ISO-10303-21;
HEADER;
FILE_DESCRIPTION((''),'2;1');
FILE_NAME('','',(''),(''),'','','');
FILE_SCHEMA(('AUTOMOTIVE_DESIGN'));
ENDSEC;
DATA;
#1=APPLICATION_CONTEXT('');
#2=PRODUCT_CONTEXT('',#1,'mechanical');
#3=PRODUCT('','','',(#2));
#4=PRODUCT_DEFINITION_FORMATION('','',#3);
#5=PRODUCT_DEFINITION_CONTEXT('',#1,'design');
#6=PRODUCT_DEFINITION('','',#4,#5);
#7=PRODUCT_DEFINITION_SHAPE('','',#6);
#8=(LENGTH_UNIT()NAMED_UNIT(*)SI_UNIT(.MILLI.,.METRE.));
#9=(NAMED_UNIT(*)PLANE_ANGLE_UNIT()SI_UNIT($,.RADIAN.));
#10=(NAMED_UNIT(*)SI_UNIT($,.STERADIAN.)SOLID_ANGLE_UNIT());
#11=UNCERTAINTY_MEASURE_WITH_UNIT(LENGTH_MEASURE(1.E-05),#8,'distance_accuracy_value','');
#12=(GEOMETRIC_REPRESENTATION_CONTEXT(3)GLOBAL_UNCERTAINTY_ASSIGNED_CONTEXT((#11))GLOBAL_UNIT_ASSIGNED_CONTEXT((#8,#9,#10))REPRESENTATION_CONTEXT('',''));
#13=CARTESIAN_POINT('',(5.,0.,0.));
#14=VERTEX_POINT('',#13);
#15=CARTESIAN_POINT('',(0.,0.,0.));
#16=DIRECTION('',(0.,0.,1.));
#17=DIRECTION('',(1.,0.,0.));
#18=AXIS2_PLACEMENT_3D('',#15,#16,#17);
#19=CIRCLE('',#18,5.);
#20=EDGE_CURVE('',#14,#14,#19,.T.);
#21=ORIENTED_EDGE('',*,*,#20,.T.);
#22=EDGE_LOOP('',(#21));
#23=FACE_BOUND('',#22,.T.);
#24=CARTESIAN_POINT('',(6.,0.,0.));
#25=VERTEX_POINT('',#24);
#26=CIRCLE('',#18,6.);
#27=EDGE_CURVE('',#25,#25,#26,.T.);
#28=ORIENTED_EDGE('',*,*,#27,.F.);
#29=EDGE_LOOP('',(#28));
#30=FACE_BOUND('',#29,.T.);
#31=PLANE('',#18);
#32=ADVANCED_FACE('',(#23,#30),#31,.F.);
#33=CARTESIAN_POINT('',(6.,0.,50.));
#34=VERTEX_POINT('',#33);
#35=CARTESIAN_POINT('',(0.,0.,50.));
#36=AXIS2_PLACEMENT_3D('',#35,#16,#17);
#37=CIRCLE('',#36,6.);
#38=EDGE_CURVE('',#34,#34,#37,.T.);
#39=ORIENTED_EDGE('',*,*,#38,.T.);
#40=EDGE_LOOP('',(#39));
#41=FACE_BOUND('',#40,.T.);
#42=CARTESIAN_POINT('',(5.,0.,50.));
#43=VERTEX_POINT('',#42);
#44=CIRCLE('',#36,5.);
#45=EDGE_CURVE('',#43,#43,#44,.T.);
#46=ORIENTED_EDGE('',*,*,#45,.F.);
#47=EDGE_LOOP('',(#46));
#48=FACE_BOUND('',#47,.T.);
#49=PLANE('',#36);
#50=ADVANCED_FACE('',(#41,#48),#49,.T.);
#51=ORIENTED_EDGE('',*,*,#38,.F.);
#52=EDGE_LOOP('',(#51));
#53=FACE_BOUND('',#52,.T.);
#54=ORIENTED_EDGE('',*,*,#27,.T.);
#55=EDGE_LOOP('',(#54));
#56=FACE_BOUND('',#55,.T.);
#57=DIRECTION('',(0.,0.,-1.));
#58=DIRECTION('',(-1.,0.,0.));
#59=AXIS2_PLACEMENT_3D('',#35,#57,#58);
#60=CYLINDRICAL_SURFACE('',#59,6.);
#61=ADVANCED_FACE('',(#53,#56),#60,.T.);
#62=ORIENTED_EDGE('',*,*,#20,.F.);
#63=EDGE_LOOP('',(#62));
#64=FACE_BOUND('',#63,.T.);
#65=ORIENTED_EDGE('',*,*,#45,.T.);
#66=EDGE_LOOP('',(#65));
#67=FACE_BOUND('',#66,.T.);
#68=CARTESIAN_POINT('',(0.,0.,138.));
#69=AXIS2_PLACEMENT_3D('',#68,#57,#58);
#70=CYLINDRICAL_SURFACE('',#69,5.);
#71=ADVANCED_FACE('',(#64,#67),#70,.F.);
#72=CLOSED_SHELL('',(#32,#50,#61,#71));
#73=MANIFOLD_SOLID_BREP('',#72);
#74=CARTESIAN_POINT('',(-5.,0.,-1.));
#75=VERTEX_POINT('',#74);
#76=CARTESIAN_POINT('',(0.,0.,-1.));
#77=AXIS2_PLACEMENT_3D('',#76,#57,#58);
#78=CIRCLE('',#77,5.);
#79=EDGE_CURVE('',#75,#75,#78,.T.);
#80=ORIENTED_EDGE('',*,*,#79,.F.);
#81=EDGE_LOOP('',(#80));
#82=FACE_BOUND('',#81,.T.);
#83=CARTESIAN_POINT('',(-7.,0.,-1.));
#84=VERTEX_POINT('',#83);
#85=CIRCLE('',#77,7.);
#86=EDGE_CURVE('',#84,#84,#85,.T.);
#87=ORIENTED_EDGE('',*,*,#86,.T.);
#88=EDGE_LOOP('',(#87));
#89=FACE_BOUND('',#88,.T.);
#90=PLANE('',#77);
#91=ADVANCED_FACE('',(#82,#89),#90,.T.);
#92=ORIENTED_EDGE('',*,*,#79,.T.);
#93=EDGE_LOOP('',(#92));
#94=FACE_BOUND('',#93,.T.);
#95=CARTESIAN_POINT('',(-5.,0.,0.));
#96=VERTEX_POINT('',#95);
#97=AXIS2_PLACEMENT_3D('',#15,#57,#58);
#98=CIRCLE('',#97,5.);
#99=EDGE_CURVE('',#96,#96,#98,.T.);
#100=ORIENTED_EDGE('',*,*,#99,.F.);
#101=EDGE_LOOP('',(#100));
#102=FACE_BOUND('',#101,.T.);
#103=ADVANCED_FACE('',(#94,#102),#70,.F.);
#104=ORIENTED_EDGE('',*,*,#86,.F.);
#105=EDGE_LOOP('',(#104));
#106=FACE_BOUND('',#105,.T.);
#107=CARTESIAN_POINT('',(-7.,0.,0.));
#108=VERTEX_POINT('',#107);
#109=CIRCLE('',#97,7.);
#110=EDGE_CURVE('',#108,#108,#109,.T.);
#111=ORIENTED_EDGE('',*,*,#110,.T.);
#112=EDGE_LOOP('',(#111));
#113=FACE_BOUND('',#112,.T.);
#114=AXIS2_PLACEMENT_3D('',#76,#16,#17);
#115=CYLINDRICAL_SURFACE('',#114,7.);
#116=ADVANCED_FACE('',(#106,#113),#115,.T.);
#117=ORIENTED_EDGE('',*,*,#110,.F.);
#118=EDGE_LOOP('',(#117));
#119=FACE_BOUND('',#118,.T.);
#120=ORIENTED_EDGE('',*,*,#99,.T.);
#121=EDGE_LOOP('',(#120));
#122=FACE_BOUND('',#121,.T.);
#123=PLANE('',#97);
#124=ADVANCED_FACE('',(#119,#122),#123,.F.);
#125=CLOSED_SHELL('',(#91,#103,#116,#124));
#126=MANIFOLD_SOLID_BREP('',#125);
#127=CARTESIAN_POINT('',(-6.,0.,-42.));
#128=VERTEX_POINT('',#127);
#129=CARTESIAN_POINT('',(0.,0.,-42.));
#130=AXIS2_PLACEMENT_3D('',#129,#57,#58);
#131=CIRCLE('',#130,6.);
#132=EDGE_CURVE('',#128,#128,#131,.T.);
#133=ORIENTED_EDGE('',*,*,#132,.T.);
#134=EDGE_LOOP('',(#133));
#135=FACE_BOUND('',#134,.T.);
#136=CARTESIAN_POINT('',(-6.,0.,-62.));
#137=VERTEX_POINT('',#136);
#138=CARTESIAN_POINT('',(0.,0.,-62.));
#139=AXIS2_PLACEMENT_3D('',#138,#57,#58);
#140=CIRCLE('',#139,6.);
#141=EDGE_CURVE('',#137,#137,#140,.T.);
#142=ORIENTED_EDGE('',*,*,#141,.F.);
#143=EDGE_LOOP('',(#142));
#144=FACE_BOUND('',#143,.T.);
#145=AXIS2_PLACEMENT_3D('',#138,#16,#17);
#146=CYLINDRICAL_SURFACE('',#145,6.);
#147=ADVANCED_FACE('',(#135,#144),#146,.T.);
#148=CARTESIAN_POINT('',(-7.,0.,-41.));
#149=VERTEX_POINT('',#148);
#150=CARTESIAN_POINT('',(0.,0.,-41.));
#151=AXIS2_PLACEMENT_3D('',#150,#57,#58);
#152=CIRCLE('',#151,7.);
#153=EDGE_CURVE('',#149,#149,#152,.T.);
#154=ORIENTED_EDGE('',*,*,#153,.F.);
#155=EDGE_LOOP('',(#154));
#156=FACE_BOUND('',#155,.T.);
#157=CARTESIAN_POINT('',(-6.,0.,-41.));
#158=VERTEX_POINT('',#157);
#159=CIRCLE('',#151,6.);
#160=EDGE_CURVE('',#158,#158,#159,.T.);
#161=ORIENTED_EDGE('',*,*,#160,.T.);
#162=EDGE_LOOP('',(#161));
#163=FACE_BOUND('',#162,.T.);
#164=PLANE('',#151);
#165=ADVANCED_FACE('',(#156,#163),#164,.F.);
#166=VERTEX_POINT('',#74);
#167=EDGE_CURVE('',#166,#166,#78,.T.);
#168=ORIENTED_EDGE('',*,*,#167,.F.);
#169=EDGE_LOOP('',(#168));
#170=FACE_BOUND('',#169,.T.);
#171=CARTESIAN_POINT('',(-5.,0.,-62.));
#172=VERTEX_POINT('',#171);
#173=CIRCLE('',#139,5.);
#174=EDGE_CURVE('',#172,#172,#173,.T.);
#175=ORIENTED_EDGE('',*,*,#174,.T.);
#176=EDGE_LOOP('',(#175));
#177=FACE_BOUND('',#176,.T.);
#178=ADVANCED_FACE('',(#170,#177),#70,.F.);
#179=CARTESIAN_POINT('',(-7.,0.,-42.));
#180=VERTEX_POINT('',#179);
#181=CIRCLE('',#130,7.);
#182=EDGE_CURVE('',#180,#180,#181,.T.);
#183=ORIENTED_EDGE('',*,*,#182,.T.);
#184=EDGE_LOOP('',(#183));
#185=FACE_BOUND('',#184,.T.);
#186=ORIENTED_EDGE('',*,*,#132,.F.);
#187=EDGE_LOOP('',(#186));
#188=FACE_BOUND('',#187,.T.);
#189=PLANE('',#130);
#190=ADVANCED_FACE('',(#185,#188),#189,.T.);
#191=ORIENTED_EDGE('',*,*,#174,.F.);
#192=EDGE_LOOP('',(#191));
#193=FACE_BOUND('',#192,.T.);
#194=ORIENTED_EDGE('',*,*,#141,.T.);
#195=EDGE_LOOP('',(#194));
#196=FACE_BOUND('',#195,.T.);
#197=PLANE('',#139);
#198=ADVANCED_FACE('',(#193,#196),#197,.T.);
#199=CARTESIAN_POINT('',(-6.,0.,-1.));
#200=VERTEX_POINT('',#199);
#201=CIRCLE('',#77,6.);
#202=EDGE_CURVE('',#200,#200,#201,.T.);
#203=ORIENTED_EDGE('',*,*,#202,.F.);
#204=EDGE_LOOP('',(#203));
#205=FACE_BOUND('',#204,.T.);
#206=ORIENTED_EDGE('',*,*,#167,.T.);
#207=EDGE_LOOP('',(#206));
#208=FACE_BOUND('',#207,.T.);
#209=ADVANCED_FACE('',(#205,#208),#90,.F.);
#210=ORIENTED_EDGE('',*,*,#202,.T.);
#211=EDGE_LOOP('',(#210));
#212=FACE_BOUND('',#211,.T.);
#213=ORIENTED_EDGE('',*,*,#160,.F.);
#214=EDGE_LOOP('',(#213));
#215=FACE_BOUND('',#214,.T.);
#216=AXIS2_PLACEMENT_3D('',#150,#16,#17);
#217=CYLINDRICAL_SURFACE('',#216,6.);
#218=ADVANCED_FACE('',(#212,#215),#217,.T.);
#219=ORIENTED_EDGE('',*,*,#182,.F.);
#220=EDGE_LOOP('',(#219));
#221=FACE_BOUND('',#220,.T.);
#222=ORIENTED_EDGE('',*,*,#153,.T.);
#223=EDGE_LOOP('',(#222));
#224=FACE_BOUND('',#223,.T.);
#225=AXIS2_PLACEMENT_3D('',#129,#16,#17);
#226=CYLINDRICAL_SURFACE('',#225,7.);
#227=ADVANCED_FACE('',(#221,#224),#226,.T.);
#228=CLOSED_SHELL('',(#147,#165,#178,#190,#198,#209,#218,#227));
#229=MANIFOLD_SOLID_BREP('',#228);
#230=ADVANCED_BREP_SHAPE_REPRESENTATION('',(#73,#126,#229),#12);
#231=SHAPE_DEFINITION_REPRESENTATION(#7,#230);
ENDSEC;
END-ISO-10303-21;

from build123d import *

# Parameters (mm, degrees)
SKETCH1_R           = 6
BOSS_EXTRUDE1_DEPTH = 50
SKETCH2_R           = 7
BOSS_EXTRUDE2_DEPTH = 1
SKETCH3_R           = 6
BOSS_EXTRUDE3_DEPTH = 40
SKETCH4_R           = 7
BOSS_EXTRUDE4_DEPTH = 1
BOSS_EXTRUDE5_START = 20
SKETCH5_R           = 6
BOSS_EXTRUDE5_DEPTH = 20
SKETCH6_R           = 5
CUT_EXTRUDE1_DEPTH  = 200


with BuildPart() as part:
    # Sketch1 → Boss-Extrude1 (new body)
    with BuildSketch(Plane.XY):
        Circle(SKETCH1_R)
    extrude(amount=BOSS_EXTRUDE1_DEPTH)


with BuildPart() as body_2:
    # Sketch2 → Boss-Extrude2 (new body)
    with BuildSketch(Plane(origin=(0, 0, 0), x_dir=(-1, 0, 0), z_dir=(0, 0, -1))):
        Circle(SKETCH2_R)
    extrude(amount=BOSS_EXTRUDE2_DEPTH)


with BuildPart() as body_3:
    # Sketch3 → Boss-Extrude3 (new body)
    with BuildSketch(Plane(origin=(0, 0, -1), x_dir=(-1, 0, 0), z_dir=(0, 0, -1))):
        Circle(SKETCH3_R)
    extrude(amount=BOSS_EXTRUDE3_DEPTH)

    # Sketch4 → Boss-Extrude4 (add)
    with BuildSketch(Plane(origin=(0, 0, -41), x_dir=(-1, 0, 0), z_dir=(0, 0, -1))):
        Circle(SKETCH4_R)
    extrude(amount=BOSS_EXTRUDE4_DEPTH)

    # Sketch5 → Boss-Extrude5 (add)
    with BuildSketch(Plane(origin=(0, 0, -42), x_dir=(-1, 0, 0), z_dir=(0, 0, -1)).offset(BOSS_EXTRUDE5_START)):
        Circle(SKETCH5_R)
    extrude(amount=-BOSS_EXTRUDE5_DEPTH)


with BuildPart() as cut_extrude1_tool:
    # Sketch6 → Cut-Extrude1 (new body)
    with BuildSketch(Plane(origin=(0, 0, -62), x_dir=(-1, 0, 0), z_dir=(0, 0, -1))):
        Circle(SKETCH6_R)
    extrude(amount=-CUT_EXTRUDE1_DEPTH)


with BuildPart() as part_1:
    add(part.part)

    # Cut-Extrude1: cut by cut_extrude1_tool
    add(cut_extrude1_tool.part, mode=Mode.SUBTRACT)


with BuildPart() as body_2_1:
    add(body_2.part)

    # Cut-Extrude1: cut by cut_extrude1_tool
    add(cut_extrude1_tool.part, mode=Mode.SUBTRACT)


with BuildPart() as body_3_1:
    add(body_3.part)

    # Cut-Extrude1: cut by cut_extrude1_tool
    add(cut_extrude1_tool.part, mode=Mode.SUBTRACT)


solid = Compound([part_1.part, body_2_1.part, body_3_1.part])
